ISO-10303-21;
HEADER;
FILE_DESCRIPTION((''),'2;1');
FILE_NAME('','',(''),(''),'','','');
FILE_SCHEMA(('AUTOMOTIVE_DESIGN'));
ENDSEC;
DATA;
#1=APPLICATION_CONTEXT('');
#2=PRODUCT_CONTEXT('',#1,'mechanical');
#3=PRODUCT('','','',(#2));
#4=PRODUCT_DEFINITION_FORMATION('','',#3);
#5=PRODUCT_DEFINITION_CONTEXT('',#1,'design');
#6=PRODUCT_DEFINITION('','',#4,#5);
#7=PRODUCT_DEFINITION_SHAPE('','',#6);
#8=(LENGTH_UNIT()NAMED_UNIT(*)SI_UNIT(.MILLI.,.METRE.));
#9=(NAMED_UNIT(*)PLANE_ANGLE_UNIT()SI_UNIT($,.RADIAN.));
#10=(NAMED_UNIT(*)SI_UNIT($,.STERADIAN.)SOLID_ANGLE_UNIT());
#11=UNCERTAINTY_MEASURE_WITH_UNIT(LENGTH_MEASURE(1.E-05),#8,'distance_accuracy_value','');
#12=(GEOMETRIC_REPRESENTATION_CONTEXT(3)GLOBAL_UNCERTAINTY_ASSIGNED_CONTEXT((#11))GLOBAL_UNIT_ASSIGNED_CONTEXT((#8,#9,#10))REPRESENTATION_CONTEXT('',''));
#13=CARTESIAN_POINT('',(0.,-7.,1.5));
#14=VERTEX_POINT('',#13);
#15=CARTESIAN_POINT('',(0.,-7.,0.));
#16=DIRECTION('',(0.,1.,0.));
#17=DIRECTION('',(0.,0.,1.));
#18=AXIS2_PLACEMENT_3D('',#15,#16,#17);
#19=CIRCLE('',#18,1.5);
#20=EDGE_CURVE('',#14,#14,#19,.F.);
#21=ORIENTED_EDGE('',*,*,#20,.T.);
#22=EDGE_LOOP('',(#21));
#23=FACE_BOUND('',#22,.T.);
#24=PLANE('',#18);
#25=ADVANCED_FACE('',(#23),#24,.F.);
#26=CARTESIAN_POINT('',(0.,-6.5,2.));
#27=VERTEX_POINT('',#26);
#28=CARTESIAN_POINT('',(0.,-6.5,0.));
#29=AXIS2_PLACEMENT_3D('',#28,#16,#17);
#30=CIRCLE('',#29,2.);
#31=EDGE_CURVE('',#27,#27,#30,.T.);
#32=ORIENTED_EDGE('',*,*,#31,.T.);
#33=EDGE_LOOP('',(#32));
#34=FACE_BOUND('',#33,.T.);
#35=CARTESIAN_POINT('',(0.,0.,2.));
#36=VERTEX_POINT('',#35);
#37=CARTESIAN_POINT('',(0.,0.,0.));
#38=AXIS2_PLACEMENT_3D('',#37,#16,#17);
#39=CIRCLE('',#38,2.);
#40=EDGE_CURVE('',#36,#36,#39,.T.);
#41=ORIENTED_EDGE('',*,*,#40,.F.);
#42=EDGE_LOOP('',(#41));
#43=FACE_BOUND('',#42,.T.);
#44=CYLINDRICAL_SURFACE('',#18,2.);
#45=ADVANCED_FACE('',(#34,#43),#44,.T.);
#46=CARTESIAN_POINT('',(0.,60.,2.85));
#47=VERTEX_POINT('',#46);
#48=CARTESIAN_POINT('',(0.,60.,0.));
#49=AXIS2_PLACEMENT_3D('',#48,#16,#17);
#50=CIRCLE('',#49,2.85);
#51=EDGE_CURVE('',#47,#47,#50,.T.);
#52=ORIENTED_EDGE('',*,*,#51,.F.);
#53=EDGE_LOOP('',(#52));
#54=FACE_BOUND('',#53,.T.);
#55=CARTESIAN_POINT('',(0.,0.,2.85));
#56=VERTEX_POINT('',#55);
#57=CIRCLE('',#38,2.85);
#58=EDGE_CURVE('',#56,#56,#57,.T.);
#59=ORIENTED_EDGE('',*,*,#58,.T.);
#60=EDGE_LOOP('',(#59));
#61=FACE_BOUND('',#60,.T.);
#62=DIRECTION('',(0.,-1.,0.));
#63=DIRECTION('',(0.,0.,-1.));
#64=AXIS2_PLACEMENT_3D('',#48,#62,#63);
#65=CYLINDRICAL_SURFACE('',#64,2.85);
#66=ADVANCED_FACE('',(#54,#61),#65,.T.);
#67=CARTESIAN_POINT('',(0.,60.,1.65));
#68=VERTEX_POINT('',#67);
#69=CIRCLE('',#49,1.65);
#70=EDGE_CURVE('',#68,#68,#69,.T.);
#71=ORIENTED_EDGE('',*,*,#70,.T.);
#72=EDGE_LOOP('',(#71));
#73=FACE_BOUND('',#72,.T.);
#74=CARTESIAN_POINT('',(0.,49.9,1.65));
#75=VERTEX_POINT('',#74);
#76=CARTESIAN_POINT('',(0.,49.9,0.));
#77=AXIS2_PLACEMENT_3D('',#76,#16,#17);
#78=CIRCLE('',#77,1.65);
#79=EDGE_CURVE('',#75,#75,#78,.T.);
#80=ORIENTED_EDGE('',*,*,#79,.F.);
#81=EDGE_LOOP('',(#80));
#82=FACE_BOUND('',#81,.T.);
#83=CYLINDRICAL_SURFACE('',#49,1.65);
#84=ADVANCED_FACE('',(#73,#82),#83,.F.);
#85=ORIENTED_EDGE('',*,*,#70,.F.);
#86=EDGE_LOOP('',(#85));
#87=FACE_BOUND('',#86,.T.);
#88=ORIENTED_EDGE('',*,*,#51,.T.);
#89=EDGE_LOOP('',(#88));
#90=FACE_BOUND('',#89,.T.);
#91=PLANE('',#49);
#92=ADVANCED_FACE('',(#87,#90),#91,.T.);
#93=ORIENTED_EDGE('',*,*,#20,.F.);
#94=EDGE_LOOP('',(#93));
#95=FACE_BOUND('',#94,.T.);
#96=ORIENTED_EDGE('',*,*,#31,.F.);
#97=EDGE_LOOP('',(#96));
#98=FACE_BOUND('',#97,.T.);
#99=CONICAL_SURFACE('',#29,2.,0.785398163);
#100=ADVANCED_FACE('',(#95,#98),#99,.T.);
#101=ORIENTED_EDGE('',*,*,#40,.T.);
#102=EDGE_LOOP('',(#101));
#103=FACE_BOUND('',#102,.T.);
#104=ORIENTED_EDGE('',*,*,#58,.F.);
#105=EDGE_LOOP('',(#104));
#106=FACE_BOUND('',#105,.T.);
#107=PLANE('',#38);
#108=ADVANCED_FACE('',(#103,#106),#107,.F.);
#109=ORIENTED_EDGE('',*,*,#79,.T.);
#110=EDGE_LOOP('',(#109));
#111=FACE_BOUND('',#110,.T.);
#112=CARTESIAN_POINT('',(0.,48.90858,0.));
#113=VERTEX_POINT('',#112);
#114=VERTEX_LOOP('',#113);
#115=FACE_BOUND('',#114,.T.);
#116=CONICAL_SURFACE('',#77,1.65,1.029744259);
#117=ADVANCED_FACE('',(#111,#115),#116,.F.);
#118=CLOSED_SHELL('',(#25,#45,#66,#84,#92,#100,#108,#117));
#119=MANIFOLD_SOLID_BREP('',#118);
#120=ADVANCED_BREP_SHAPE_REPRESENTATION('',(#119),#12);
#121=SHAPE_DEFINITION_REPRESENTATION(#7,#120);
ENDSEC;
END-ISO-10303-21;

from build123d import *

# Parameters (mm, degrees)
SKETCH1_R                 = 2.85
BOSS_EXTRUDE1_DEPTH       = 60
SKETCH1_4_R               = 2
BOSS_EXTRUDE2_DEPTH       = 7
M4X0_7_TAPPED_HOLE1_D     = 3.3
M4X0_7_TAPPED_HOLE1_DEPTH = 10.1
M4X0_7_TAPPED_HOLE1_TIP   = 0.991420021
CHAMFER1_SIZE             = 0.5


with BuildPart() as part:
    # Sketch1 → Boss-Extrude1 (new body)
    with BuildSketch(Plane(origin=(0, 0, 0), x_dir=(1, 0, 0), z_dir=(0, 1, 0))):
        Circle(SKETCH1_R)
    extrude(amount=BOSS_EXTRUDE1_DEPTH)

    # Sketch1<4> → Boss-Extrude2 (add)
    with BuildSketch(Plane(origin=(0, 0, 0), x_dir=(1, 0, 0), z_dir=(0, 1, 0))):
        Circle(SKETCH1_4_R)
    extrude(amount=-BOSS_EXTRUDE2_DEPTH)

    # M4x0.7 Tapped Hole1
    with Locations(Plane(origin=(0, 60, 0), x_dir=(1, 0, 0), z_dir=(0, 1, 0))):
        with Locations((0, 0)):
            Hole(M4X0_7_TAPPED_HOLE1_D / 2, depth=M4X0_7_TAPPED_HOLE1_DEPTH)
            with Locations((0, 0, -(M4X0_7_TAPPED_HOLE1_DEPTH + M4X0_7_TAPPED_HOLE1_TIP / 2))):  # 118° drill point
                Cone(0, M4X0_7_TAPPED_HOLE1_D / 2, M4X0_7_TAPPED_HOLE1_TIP, mode=Mode.SUBTRACT)

    # Chamfer1
    chamfer1_edges = [part.edges().sort_by_distance(p)[0] for p in [
        (-2, -7, 0),
    ]]
    chamfer(chamfer1_edges, length=CHAMFER1_SIZE)


solid = part.part
